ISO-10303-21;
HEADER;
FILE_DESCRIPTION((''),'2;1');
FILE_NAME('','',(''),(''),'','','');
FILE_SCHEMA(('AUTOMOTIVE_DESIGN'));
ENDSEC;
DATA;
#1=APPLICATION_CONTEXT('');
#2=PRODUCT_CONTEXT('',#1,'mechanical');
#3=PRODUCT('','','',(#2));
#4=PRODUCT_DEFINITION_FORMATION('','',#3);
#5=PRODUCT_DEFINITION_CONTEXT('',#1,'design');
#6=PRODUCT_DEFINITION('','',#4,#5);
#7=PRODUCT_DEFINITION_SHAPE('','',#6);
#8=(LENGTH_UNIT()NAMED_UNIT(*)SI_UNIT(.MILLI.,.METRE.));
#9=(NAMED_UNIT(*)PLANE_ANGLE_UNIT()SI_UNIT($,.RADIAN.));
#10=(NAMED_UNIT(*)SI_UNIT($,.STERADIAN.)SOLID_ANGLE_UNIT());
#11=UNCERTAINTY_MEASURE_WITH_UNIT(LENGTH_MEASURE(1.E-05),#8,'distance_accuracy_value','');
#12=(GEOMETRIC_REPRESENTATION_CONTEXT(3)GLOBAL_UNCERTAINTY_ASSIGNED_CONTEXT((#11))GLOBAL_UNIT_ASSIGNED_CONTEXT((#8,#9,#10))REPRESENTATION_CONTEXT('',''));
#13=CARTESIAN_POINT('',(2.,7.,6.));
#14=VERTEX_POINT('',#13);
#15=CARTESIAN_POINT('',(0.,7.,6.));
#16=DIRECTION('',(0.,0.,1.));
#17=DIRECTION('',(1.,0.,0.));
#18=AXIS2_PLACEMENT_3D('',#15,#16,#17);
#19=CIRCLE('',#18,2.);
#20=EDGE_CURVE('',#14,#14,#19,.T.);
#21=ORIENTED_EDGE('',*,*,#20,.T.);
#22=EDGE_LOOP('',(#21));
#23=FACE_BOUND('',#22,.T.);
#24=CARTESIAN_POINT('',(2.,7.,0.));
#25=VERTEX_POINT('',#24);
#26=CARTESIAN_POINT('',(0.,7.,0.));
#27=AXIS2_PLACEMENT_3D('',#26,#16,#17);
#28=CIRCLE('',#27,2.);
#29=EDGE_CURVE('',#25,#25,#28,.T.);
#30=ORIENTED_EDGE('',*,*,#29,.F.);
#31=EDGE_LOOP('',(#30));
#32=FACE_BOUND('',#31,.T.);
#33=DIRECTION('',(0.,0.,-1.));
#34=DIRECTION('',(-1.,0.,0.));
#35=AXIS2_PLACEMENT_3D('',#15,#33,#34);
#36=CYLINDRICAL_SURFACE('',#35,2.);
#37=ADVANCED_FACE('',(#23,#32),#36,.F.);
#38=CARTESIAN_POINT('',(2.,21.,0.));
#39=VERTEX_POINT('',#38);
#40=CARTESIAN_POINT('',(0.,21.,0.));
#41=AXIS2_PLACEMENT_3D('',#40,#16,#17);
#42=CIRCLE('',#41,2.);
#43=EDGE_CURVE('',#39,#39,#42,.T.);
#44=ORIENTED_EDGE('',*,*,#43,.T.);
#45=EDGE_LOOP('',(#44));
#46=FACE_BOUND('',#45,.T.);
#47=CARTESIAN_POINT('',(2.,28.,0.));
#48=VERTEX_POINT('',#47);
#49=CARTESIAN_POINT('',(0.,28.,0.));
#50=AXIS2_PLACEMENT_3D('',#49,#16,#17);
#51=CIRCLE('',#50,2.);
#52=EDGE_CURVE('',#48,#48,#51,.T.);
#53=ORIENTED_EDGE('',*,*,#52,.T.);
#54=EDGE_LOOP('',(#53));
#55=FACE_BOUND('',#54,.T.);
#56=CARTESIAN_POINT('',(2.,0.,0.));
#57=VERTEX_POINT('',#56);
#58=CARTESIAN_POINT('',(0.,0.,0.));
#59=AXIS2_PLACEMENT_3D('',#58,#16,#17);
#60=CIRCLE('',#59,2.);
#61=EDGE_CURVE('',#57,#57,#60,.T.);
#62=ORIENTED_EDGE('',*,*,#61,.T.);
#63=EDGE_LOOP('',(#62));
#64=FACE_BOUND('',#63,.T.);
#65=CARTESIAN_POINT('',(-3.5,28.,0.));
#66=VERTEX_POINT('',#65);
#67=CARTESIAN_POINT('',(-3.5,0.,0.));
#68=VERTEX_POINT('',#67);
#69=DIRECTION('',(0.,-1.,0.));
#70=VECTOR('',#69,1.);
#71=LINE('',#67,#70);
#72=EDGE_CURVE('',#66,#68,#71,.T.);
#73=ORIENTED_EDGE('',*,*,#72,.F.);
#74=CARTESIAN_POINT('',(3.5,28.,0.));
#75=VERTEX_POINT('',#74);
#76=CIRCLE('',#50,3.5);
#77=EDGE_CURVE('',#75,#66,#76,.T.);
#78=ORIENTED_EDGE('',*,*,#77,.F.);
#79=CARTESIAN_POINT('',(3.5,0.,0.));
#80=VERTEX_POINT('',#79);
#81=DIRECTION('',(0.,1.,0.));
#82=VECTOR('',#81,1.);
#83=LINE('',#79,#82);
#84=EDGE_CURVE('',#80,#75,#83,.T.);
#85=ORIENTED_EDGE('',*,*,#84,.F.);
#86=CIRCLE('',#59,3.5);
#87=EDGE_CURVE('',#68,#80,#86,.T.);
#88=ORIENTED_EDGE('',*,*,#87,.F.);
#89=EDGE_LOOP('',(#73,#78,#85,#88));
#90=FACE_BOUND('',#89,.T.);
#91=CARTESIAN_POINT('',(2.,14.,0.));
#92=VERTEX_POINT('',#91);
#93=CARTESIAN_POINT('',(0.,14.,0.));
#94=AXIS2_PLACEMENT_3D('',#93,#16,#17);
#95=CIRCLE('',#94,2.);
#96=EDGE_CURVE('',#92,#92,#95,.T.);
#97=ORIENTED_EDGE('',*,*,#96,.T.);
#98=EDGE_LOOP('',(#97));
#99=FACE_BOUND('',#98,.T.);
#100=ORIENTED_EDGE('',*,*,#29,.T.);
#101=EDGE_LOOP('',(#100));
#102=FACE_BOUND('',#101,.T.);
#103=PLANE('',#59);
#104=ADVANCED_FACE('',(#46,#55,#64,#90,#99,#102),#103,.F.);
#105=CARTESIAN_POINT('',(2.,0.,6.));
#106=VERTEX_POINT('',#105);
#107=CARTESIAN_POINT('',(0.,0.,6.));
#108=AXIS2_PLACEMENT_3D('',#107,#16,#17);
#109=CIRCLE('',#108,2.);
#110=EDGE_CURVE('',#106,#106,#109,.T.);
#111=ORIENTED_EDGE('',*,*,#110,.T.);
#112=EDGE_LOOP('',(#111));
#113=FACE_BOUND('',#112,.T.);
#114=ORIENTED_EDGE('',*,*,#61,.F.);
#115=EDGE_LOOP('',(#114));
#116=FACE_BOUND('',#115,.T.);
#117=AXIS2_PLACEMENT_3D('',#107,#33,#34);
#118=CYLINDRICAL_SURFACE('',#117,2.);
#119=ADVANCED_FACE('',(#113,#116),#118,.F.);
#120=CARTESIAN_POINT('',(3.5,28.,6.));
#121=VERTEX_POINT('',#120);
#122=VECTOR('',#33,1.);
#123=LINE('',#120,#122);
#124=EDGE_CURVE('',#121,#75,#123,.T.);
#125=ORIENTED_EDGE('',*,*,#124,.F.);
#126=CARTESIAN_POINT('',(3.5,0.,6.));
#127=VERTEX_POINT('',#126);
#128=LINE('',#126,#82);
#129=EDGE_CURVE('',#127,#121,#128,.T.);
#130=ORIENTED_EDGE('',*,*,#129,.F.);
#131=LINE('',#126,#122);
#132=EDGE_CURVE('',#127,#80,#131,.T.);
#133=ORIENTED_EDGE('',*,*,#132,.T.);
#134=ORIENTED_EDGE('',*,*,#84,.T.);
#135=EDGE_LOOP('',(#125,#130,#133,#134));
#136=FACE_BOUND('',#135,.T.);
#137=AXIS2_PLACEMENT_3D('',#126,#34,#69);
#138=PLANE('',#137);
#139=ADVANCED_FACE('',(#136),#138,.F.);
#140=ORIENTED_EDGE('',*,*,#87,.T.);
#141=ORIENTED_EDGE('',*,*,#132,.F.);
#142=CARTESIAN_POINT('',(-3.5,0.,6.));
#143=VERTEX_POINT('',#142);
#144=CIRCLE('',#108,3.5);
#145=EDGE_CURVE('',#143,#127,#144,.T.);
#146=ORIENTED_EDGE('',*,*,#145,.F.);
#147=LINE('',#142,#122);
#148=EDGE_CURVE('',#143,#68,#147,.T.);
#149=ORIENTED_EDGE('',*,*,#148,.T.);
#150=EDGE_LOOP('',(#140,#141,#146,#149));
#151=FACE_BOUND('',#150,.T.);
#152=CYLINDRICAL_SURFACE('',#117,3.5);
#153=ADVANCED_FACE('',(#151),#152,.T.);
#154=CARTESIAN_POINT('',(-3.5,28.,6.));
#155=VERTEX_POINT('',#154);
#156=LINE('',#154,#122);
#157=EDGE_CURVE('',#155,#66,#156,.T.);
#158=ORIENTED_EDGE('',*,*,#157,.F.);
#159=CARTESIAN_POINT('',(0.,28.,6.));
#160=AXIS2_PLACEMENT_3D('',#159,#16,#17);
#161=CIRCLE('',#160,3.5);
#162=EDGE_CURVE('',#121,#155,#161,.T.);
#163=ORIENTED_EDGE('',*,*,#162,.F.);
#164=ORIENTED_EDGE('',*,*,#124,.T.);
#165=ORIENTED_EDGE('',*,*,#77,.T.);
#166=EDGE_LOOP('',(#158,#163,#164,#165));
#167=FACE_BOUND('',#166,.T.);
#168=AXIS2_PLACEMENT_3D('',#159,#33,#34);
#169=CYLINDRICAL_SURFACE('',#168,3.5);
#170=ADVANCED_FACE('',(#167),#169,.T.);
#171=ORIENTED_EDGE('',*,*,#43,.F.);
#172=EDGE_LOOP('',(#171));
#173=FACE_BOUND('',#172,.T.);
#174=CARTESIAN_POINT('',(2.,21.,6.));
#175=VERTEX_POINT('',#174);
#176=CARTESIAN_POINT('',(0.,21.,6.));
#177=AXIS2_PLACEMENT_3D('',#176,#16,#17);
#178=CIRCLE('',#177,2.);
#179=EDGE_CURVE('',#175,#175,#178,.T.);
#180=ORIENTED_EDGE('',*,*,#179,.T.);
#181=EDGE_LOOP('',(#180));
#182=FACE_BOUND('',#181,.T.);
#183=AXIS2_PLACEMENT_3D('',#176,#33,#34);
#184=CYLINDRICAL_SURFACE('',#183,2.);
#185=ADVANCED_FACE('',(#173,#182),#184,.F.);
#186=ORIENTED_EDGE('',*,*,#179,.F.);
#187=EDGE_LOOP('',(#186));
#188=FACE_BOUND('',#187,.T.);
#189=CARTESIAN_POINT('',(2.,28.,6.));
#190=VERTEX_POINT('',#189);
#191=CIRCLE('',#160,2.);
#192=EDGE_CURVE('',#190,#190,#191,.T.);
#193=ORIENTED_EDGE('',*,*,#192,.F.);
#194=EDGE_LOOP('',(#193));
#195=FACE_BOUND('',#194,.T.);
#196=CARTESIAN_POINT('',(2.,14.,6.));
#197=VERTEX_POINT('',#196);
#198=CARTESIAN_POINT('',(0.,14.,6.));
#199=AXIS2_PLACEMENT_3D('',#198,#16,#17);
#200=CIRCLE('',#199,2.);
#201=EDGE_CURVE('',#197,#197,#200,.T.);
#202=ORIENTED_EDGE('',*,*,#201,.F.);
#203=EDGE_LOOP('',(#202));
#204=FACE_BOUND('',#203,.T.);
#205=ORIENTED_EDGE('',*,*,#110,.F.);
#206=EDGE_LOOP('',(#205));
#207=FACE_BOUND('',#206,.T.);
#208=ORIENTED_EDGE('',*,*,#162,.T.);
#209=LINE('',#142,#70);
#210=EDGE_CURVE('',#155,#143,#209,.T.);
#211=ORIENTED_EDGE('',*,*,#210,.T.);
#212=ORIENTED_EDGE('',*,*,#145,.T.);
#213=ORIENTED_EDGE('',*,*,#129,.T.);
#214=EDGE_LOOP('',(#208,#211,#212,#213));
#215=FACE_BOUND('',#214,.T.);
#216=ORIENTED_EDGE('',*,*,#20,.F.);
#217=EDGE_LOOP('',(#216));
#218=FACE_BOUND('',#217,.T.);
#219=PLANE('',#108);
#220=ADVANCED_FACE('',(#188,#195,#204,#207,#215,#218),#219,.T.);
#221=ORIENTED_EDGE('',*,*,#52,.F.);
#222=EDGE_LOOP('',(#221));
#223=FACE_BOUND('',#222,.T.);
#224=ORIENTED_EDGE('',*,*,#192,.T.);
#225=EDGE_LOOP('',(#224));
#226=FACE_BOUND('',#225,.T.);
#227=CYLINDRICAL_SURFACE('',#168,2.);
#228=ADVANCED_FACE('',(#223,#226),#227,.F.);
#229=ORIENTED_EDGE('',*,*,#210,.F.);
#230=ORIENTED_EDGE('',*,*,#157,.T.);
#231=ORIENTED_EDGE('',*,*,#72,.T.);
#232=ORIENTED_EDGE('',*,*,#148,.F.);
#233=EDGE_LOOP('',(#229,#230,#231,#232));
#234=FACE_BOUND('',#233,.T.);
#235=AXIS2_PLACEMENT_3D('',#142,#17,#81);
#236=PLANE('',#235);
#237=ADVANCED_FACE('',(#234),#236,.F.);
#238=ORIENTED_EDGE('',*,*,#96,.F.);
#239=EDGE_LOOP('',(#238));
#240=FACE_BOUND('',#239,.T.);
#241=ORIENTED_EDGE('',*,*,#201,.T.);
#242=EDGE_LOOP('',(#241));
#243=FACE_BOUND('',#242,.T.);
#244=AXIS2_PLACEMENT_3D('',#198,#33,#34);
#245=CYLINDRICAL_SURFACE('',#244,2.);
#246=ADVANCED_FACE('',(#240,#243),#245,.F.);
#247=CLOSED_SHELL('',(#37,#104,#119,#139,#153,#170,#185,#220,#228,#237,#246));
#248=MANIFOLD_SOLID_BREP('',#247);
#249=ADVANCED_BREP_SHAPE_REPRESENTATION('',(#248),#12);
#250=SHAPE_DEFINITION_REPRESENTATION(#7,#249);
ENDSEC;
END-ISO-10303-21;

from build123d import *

# Parameters (mm, degrees)
SKETCH1_R           = 2
BOSS_EXTRUDE1_DEPTH = 6


with BuildPart() as part:
    # Sketch1 → Boss-Extrude1 (new body)
    with BuildSketch(Plane.XY):
        with BuildLine():
            Line((-3.5, 0), (-3.5, 28))
            ThreePointArc((-3.5, 28), (0, 31.5), (3.5, 28))
            Line((3.5, 28), (3.5, 0))
            ThreePointArc((3.5, 0), (0, -3.5), (-3.5, 0))
        make_face()
        Circle(SKETCH1_R, mode=Mode.SUBTRACT)
        with Locations((0, 7)):
            Circle(SKETCH1_R, mode=Mode.SUBTRACT)
        with Locations((0, 14)):
            Circle(SKETCH1_R, mode=Mode.SUBTRACT)
        with Locations((0, 21)):
            Circle(SKETCH1_R, mode=Mode.SUBTRACT)
        with Locations((0, 28)):
            Circle(SKETCH1_R, mode=Mode.SUBTRACT)
    extrude(amount=BOSS_EXTRUDE1_DEPTH)


solid = part.part
